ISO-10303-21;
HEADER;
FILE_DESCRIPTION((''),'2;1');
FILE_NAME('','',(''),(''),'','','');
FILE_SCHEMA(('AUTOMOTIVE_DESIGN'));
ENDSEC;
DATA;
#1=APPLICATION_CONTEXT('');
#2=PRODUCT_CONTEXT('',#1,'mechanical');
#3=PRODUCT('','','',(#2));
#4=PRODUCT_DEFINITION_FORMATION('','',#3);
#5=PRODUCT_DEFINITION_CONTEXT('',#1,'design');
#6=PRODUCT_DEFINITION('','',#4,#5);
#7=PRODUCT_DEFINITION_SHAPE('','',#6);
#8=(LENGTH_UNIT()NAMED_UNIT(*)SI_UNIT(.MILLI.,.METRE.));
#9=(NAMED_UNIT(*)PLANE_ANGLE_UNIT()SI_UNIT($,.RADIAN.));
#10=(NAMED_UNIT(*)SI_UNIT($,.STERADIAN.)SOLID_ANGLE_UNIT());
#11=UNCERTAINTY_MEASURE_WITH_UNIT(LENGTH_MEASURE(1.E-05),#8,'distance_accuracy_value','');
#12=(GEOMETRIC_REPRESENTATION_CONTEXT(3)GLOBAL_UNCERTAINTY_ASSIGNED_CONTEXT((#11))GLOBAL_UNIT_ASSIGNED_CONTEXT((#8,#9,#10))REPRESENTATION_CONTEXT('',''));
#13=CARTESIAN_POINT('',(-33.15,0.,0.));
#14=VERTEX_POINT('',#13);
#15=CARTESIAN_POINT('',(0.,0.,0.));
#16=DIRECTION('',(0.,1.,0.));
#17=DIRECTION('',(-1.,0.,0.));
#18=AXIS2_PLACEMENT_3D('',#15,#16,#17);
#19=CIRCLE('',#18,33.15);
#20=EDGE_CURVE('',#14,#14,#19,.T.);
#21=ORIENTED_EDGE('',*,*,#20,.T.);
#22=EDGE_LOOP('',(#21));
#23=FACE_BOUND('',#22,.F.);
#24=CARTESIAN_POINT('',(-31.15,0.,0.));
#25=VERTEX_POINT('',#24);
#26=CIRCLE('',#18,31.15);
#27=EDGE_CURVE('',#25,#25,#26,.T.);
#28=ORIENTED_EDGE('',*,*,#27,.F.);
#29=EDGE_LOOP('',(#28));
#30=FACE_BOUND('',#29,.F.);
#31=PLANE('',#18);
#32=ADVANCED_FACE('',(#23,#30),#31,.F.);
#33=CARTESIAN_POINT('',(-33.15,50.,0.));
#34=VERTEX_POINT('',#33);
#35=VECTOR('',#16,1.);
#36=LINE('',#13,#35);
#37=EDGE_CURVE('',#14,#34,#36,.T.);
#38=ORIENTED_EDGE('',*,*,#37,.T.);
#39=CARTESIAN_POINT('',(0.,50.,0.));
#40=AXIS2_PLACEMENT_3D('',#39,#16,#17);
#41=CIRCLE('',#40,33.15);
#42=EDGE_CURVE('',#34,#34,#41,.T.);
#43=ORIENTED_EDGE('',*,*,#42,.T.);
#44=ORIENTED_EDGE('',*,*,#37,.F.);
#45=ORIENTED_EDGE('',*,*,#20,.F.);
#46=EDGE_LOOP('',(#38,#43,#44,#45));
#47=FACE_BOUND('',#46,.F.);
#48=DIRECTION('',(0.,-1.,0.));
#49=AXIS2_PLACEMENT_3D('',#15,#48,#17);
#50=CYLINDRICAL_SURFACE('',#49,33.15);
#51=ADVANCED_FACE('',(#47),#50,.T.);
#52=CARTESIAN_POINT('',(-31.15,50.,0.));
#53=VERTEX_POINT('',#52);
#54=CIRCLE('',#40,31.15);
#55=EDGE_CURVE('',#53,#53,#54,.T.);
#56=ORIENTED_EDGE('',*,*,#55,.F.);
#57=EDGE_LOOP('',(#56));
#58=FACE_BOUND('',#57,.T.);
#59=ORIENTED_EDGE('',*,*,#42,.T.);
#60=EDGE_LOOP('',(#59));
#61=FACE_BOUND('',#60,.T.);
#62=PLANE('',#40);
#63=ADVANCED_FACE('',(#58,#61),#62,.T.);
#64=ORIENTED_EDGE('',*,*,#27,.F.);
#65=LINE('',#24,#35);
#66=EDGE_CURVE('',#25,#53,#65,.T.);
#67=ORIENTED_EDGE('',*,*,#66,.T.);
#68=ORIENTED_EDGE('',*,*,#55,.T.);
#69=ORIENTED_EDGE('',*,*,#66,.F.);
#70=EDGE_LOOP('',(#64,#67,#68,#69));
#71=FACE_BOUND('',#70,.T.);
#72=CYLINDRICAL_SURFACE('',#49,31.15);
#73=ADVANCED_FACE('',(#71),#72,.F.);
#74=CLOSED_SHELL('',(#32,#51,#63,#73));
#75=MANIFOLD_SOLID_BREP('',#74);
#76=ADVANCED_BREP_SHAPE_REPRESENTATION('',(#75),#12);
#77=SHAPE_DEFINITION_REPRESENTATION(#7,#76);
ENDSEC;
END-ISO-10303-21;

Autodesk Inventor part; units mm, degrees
ref_plane "YZ Plane" through (0, 0, 0) normal (1, 0, 0) x (0, 1, 0)
ref_plane "XZ Plane" through (0, 0, 0) normal (0, 1, 0) x (-1, 0, 0)
ref_plane "XY Plane" through (0, 0, 0) normal (0, 0, 1) x (1, 0, 0)
sketch "Sketch1" plane through (0, 0, 0) normal (0, 1, 0) x (-1, 0, 0)
  circle A0 centre (0, 0) radius 33.15
  circle A1 centre (0, 0) radius 31.15
  dimension "d0" = 66.3
  dimension "d1" = 62.3
sketch "Sketch2" plane through (0, 0, 0) normal (0, 1, 0) x (-1, 0, 0)
  line L0 (2, 33) -> (-2, 33)
  line L1 (-2, 33) -> (-2, 12)
  line L2 (-2, 12) -> (2, 12)
  line L3 (2, 12) -> (2, 33)
  line L4 (33, 2) -> (12, 2)
  line L5 (12, 2) -> (12, -2)
  line L6 (12, -2) -> (33, -2)
  line L7 (33, -2) -> (33, 2)
  line L8 (2, -12) -> (-2, -12)
  line L9 (-2, -12) -> (-2, -33)
  line L10 (-2, -33) -> (2, -33)
  line L11 (2, -33) -> (2, -12)
  line L12 (-12, 2) -> (-33, 2)
  line L13 (-33, 2) -> (-33, -2)
  line L14 (-33, -2) -> (-12, -2)
  line L15 (-12, -2) -> (-12, 2)
  point P0 (0, 0)
  point P1 (12, 0)
  point P2 (0, -12)
  point P3 (-33, 0)
  dimension "d4" = 4
  dimension "d5" = 4
  dimension "d6" = 12
  dimension "d7" = 12
  dimension "d8" = 12
  dimension "d9" = 12
  dimension "d10" = 21
  dimension "d11" = 21
  dimension "d12" = 21
  dimension "d13" = 21
  dimension "d14" = 2
  dimension "d15" = 2
extrude "Extrusion1" add sketch "Sketch1" along normal blind 50
equation "\"d11\" = d10"
equation "\"d12\" = d10"
equation "\"d13\" = d10"
properties part number "Calibrator"
